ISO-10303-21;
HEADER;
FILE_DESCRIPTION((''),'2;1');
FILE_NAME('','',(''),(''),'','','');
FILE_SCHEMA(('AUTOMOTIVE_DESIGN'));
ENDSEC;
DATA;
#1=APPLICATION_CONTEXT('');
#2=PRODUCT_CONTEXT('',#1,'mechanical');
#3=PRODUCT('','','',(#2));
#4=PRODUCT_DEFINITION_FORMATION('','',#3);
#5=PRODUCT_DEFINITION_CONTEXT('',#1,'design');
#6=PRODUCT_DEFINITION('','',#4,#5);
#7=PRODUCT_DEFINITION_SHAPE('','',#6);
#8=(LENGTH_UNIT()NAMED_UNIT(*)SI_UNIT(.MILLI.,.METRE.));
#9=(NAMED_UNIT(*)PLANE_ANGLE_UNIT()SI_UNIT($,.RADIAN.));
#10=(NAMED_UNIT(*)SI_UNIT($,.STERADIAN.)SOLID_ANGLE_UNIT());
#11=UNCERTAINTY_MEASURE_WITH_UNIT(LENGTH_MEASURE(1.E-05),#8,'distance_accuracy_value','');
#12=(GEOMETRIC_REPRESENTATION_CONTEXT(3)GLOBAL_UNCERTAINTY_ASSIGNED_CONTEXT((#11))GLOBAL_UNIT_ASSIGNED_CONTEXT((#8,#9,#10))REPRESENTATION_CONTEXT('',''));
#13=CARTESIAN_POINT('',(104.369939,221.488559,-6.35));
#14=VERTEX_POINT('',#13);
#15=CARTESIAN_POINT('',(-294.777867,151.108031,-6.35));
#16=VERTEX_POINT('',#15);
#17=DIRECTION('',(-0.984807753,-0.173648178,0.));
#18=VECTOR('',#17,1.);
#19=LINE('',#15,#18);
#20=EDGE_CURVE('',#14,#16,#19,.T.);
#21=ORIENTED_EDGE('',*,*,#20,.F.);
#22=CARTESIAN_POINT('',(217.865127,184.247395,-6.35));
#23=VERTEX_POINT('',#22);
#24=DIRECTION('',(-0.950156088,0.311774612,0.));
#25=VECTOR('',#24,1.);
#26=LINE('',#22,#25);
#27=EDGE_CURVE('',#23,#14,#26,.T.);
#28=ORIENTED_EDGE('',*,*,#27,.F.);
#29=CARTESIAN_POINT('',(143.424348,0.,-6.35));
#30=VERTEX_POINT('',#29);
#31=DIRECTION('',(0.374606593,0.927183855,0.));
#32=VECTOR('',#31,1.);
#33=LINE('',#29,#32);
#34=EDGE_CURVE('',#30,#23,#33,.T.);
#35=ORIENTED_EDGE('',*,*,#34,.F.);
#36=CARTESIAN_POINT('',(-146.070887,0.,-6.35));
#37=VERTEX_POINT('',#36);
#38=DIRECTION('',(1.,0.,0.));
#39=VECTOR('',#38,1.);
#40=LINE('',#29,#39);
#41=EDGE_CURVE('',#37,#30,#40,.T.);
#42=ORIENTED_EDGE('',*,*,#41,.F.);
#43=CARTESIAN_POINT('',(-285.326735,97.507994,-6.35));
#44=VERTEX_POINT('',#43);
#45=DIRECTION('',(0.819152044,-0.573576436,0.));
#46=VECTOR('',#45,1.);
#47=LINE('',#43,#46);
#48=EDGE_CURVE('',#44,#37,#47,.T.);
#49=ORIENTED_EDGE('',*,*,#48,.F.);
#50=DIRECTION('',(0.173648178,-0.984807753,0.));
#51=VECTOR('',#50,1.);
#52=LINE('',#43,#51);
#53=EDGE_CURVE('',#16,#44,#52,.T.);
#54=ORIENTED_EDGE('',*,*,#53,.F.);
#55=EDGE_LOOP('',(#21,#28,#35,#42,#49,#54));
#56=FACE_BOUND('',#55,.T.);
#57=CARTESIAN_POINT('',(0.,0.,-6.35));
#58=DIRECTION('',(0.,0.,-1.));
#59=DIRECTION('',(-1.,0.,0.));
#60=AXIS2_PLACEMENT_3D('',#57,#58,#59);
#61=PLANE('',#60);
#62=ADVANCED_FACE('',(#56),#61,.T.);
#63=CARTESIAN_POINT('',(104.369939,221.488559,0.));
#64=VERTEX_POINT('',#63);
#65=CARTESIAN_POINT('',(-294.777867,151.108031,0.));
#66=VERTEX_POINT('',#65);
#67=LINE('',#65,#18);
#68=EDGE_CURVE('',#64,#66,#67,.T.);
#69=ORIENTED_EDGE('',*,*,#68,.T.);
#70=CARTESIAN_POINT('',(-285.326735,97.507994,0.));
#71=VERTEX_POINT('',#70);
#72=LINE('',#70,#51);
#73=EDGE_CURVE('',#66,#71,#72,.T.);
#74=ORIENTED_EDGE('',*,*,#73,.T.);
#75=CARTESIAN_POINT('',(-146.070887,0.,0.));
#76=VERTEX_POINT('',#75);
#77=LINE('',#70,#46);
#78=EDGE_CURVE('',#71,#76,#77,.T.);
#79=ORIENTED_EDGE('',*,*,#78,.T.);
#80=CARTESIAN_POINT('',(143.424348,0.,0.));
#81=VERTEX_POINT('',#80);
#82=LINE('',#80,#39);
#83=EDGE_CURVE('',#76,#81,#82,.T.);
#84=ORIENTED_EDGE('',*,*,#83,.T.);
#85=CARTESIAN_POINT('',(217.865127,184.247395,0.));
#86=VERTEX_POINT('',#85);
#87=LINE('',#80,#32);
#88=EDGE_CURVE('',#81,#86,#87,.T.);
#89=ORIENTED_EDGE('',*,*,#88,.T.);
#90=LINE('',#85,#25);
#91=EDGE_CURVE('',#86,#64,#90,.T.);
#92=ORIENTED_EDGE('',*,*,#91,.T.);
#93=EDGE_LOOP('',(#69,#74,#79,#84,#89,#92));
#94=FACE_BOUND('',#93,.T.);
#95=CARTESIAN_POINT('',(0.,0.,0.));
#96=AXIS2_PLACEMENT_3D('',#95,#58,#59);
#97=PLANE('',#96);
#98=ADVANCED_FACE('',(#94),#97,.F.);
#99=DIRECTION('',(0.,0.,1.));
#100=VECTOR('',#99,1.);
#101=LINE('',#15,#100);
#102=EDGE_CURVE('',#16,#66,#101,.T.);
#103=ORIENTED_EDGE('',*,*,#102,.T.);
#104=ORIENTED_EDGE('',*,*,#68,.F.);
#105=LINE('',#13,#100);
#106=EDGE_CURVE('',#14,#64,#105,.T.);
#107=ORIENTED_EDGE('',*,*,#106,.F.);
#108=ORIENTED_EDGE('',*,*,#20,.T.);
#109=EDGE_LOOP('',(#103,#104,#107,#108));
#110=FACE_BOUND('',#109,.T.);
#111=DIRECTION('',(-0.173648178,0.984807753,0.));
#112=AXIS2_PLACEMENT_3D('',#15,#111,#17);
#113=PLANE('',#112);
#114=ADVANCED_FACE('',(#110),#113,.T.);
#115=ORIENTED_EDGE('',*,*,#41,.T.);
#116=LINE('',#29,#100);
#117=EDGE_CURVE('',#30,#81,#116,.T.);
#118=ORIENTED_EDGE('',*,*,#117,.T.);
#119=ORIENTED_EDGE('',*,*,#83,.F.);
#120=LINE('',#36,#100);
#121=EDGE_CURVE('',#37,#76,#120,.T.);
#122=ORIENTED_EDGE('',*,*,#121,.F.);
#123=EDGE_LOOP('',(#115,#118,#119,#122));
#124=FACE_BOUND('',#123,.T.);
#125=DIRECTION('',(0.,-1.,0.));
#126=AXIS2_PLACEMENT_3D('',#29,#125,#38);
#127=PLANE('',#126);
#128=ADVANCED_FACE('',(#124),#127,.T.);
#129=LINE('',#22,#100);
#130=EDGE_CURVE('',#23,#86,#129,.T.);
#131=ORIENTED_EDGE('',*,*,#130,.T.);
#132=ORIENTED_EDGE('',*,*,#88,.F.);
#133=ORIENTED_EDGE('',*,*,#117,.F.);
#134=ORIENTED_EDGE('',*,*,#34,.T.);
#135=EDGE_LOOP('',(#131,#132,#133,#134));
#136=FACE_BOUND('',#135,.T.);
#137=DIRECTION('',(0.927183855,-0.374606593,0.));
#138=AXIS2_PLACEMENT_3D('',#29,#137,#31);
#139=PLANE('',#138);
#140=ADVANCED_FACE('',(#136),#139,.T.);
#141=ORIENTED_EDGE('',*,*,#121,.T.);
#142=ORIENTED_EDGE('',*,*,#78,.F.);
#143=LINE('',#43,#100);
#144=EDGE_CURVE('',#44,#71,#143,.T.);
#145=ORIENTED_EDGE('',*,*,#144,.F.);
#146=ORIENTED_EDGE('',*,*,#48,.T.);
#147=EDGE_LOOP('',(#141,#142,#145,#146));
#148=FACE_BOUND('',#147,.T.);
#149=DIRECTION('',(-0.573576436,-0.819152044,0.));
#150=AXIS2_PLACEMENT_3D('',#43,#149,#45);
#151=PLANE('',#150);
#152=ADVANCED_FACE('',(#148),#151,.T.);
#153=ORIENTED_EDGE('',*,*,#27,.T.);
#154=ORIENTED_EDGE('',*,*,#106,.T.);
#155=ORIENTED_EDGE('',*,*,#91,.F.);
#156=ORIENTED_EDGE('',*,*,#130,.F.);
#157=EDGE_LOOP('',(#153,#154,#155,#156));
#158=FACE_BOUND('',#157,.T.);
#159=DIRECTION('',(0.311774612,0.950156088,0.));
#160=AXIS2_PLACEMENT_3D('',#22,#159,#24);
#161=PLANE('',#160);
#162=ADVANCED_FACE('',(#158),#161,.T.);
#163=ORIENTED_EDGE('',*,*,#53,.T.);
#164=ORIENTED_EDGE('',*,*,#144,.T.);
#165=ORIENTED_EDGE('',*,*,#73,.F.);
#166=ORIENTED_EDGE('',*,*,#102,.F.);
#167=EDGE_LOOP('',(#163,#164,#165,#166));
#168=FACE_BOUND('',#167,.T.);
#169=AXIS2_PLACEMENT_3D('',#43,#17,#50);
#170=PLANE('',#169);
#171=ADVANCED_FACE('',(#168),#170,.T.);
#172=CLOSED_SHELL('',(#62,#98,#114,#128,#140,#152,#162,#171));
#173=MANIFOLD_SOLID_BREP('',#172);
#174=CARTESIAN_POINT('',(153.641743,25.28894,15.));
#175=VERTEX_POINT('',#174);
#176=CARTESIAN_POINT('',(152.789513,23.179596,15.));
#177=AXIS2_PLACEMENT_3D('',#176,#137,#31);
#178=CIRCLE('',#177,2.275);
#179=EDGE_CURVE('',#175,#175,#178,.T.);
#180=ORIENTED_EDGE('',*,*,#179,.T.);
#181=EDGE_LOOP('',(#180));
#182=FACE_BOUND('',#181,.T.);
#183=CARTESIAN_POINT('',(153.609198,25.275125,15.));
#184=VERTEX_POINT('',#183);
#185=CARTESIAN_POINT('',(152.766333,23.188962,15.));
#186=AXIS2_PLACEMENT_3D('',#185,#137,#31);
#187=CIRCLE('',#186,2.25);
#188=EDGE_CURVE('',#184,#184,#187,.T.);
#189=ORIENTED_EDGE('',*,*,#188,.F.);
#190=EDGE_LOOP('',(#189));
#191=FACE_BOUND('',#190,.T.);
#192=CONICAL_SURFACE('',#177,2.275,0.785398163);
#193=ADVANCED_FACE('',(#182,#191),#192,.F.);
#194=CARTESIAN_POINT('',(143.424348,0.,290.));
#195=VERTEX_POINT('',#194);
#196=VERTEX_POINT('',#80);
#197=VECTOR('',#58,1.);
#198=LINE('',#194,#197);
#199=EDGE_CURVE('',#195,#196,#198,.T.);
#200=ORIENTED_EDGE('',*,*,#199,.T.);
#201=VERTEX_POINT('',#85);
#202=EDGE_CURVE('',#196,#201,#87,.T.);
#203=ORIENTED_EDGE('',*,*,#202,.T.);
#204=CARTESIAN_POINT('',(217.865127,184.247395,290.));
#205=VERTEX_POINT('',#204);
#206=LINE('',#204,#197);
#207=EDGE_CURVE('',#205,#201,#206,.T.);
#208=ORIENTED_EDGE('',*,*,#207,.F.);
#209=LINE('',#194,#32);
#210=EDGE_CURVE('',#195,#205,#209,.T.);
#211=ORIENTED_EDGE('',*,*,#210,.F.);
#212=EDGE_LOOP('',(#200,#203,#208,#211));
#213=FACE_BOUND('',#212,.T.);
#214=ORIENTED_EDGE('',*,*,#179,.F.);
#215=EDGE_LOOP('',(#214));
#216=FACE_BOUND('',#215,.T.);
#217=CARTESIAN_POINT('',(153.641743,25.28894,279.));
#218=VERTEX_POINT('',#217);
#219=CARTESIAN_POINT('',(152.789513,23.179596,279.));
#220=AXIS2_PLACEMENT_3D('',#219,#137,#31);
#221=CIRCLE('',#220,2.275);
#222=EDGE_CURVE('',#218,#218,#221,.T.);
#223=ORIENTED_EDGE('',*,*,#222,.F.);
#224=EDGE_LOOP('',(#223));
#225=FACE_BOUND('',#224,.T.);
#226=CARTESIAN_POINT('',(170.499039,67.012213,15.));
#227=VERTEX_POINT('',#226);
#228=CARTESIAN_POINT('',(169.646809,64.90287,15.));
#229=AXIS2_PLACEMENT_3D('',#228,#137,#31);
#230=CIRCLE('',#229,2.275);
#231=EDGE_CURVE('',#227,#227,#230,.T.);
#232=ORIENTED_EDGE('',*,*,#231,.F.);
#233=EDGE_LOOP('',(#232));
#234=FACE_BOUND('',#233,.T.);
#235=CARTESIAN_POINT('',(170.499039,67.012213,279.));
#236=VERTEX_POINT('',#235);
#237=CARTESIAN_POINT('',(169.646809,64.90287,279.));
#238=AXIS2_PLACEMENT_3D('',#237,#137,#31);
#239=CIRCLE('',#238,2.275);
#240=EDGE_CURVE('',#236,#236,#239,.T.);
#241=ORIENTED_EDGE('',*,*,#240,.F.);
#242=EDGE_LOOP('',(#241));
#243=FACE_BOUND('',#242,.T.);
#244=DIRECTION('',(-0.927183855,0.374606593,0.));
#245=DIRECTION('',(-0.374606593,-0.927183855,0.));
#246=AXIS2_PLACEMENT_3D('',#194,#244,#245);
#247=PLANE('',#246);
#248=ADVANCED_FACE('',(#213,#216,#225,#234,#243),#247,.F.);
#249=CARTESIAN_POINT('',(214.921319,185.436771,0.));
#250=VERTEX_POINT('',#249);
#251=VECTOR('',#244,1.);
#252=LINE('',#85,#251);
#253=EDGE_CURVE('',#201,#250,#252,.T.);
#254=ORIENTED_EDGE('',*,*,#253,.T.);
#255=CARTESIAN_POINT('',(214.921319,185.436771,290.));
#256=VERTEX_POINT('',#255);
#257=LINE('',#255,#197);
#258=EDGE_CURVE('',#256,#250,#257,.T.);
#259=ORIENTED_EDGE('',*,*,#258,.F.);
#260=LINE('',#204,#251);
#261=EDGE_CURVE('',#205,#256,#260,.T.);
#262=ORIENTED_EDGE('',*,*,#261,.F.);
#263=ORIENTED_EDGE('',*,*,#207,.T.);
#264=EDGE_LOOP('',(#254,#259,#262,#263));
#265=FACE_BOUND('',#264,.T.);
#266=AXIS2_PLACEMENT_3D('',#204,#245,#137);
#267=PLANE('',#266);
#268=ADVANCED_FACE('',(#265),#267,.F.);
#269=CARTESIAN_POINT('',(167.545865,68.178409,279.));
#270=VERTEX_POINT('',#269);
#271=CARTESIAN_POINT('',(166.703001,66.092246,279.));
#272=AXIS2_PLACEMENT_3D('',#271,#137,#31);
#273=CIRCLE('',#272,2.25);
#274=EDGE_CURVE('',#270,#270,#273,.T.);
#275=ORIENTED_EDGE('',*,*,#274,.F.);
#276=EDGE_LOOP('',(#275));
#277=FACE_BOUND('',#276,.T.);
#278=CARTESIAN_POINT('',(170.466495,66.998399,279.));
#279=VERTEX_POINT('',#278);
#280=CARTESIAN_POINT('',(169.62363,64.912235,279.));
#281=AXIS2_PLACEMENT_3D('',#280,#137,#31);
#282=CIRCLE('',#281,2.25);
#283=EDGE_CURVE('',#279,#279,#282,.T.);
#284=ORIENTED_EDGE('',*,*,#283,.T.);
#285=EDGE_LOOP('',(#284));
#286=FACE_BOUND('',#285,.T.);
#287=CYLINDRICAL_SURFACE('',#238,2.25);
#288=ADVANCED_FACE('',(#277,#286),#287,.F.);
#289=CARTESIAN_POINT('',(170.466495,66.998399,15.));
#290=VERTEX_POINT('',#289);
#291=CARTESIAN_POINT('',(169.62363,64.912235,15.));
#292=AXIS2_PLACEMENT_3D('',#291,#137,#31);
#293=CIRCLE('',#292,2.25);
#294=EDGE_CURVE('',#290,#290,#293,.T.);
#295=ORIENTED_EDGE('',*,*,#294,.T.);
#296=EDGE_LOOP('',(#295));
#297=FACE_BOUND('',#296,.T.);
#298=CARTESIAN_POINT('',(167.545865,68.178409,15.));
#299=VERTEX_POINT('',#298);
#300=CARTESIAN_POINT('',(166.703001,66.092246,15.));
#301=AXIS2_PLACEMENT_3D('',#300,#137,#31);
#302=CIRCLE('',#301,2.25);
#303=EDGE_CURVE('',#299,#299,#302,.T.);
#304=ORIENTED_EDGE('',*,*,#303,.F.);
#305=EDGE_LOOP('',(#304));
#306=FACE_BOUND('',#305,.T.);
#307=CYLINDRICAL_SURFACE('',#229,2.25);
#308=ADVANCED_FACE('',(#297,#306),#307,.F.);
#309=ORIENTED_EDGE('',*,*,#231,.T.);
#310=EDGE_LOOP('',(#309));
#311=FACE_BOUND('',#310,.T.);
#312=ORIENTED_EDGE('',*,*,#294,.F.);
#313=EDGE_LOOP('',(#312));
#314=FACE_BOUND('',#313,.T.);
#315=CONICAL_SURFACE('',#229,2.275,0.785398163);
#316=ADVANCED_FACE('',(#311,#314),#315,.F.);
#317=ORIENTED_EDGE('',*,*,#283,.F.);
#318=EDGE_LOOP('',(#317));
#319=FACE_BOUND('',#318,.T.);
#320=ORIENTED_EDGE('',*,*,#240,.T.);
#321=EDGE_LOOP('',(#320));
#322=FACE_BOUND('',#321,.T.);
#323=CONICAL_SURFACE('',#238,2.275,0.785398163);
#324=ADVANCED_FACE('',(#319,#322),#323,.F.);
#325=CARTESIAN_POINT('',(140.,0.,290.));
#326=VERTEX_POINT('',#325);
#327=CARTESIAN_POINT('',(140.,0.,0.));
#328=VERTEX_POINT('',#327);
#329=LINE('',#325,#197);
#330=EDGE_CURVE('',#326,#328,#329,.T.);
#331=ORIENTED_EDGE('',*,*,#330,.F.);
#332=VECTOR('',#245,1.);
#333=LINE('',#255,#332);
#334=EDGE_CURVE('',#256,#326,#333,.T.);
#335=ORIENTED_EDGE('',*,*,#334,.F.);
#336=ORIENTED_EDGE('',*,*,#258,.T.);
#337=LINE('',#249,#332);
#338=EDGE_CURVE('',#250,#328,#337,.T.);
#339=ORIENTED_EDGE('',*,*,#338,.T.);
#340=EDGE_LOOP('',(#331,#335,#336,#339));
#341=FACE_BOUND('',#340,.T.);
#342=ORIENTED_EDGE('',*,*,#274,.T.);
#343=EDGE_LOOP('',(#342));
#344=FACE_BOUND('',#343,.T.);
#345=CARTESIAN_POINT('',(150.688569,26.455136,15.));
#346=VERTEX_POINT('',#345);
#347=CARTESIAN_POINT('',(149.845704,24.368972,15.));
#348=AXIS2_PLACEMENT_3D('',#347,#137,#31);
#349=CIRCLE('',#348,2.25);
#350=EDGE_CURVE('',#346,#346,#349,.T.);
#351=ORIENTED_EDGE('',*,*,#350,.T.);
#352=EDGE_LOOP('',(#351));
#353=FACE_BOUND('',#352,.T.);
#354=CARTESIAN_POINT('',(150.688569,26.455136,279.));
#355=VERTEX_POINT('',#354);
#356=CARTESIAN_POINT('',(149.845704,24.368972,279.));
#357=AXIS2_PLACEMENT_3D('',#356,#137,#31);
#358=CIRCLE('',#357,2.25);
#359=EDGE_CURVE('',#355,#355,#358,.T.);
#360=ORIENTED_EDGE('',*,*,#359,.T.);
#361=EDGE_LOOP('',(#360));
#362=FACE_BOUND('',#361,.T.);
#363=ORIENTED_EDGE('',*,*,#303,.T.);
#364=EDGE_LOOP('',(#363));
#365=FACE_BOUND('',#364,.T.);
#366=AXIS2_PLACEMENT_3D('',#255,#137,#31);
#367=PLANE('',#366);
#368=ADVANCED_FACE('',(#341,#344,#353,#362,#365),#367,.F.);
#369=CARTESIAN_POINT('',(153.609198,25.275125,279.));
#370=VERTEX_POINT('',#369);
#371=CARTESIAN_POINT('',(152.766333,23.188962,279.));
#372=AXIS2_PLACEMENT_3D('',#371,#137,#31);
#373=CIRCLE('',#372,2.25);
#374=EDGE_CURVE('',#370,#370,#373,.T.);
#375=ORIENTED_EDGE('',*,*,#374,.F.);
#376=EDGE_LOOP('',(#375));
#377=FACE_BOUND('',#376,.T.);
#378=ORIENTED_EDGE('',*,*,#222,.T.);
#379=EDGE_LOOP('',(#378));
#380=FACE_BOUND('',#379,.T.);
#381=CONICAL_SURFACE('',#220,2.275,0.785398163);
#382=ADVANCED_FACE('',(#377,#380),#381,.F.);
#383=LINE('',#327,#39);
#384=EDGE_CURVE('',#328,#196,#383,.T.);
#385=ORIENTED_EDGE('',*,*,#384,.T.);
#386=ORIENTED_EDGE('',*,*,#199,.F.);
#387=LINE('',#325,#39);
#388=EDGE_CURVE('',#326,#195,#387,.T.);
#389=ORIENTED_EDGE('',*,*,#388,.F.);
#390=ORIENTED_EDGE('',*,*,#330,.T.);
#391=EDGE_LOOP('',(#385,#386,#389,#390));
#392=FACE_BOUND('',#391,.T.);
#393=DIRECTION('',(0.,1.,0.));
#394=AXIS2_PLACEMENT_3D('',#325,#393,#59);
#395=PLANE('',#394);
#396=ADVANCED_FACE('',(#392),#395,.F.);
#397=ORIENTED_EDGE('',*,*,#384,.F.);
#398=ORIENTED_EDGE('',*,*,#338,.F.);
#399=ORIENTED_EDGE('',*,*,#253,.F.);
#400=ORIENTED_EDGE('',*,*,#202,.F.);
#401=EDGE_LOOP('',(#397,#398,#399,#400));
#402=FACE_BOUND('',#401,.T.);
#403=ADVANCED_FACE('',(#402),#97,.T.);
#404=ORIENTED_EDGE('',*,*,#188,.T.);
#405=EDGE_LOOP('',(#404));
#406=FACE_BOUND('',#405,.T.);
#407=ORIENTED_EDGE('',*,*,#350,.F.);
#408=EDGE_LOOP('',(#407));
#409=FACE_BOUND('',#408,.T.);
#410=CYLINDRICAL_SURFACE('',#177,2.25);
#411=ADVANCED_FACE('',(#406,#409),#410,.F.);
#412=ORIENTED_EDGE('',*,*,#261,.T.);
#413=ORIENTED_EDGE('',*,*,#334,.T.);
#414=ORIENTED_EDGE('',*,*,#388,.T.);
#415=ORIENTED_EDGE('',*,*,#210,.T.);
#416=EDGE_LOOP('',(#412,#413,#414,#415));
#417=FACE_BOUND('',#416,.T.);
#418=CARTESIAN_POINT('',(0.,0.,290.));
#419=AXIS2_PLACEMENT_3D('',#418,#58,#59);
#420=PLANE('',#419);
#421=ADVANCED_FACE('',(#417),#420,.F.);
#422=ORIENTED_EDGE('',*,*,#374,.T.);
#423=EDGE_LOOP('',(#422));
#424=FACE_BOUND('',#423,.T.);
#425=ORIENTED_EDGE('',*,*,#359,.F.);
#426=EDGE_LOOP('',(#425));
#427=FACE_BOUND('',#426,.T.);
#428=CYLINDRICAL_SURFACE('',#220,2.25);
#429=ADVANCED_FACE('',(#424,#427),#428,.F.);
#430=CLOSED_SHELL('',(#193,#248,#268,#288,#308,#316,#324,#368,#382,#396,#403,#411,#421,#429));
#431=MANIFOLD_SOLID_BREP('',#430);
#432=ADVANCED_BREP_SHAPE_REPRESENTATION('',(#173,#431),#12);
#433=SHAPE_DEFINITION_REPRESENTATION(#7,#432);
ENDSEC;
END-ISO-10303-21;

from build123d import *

# Parameters (mm, degrees)
BOSS_EXTRUDE1_DEPTH           = 290
BOSS_EXTRUDE2_DEPTH           = 6.35
M4_CLEARANCE_HOLE1_AT_2_COUNT = 2
M4_CLEARANCE_HOLE1_AT_2_PITCH = 45
M4_CLEARANCE_HOLE1_AT_3_COUNT = 2
M4_CLEARANCE_HOLE1_AT_3_PITCH = 264
M4_CLEARANCE_HOLE1_AT_4_COUNT = 2
M4_CLEARANCE_HOLE1_AT_4_PITCH = 267.807766878


with BuildPart() as part:
    # Sketch1 → Boss-Extrude1 (new body)
    with BuildSketch(Plane.XY):
        Polygon((140, 0), (143.424347808, 0), (217.865127421, 184.247394979), (214.921318683, 185.436770913), align=None)
    extrude(amount=BOSS_EXTRUDE1_DEPTH)

    # Sketch4 → M4 Clearance Hole1 (revolve, cut)
    with BuildSketch(Plane(origin=(169.646809347, 64.90286982, 279), x_dir=(0.3746065934159096, 0.9271838545667884, 0), z_dir=(0, 0, 1))):
        Polygon((0, 0), (0, 489.265093346), (2.25, 489.265093346), (2.25, 0.025), (2.275, 0), align=None)
    m4_clearance_hole1 = revolve(axis=Axis((175.534426824, 62.524117951, 279), (-0.9271838545667884, 0.3746065934159096, 0)), mode=Mode.SUBTRACT)

    # M4 Clearance Hole1 at 2: M4 Clearance Hole1 ×2
    with Locations(*[Vector(-0.3746065934159096, -0.9271838545667884, 0) * (i * M4_CLEARANCE_HOLE1_AT_2_PITCH) for i in range(1, M4_CLEARANCE_HOLE1_AT_2_COUNT)]):
        add(m4_clearance_hole1, mode=Mode.SUBTRACT)

    # M4 Clearance Hole1 at 3: M4 Clearance Hole1 ×2
    with Locations(*[(0, 0, -i * M4_CLEARANCE_HOLE1_AT_3_PITCH) for i in range(1, M4_CLEARANCE_HOLE1_AT_3_COUNT)]):
        add(m4_clearance_hole1, mode=Mode.SUBTRACT)

    # M4 Clearance Hole1 at 4: M4 Clearance Hole1 ×2
    with Locations(*[Vector(-0.06294551087981771, -0.15579560646021043, -0.9857817160344241) * (i * M4_CLEARANCE_HOLE1_AT_4_PITCH) for i in range(1, M4_CLEARANCE_HOLE1_AT_4_COUNT)]):
        add(m4_clearance_hole1, mode=Mode.SUBTRACT)


with BuildPart() as body_2:
    # Sketch2 → Boss-Extrude2 (new body)
    with BuildSketch(Plane.XY):
        Polygon((-294.777867348, 151.108031048), (104.369939009, 221.488558599), (217.865127421, 184.247394979), (143.424347808, 0), (-146.070887152, 0), (-285.326734681, 97.50799418), align=None)
    extrude(amount=-BOSS_EXTRUDE2_DEPTH)


solid = Compound([part.part, body_2.part])
